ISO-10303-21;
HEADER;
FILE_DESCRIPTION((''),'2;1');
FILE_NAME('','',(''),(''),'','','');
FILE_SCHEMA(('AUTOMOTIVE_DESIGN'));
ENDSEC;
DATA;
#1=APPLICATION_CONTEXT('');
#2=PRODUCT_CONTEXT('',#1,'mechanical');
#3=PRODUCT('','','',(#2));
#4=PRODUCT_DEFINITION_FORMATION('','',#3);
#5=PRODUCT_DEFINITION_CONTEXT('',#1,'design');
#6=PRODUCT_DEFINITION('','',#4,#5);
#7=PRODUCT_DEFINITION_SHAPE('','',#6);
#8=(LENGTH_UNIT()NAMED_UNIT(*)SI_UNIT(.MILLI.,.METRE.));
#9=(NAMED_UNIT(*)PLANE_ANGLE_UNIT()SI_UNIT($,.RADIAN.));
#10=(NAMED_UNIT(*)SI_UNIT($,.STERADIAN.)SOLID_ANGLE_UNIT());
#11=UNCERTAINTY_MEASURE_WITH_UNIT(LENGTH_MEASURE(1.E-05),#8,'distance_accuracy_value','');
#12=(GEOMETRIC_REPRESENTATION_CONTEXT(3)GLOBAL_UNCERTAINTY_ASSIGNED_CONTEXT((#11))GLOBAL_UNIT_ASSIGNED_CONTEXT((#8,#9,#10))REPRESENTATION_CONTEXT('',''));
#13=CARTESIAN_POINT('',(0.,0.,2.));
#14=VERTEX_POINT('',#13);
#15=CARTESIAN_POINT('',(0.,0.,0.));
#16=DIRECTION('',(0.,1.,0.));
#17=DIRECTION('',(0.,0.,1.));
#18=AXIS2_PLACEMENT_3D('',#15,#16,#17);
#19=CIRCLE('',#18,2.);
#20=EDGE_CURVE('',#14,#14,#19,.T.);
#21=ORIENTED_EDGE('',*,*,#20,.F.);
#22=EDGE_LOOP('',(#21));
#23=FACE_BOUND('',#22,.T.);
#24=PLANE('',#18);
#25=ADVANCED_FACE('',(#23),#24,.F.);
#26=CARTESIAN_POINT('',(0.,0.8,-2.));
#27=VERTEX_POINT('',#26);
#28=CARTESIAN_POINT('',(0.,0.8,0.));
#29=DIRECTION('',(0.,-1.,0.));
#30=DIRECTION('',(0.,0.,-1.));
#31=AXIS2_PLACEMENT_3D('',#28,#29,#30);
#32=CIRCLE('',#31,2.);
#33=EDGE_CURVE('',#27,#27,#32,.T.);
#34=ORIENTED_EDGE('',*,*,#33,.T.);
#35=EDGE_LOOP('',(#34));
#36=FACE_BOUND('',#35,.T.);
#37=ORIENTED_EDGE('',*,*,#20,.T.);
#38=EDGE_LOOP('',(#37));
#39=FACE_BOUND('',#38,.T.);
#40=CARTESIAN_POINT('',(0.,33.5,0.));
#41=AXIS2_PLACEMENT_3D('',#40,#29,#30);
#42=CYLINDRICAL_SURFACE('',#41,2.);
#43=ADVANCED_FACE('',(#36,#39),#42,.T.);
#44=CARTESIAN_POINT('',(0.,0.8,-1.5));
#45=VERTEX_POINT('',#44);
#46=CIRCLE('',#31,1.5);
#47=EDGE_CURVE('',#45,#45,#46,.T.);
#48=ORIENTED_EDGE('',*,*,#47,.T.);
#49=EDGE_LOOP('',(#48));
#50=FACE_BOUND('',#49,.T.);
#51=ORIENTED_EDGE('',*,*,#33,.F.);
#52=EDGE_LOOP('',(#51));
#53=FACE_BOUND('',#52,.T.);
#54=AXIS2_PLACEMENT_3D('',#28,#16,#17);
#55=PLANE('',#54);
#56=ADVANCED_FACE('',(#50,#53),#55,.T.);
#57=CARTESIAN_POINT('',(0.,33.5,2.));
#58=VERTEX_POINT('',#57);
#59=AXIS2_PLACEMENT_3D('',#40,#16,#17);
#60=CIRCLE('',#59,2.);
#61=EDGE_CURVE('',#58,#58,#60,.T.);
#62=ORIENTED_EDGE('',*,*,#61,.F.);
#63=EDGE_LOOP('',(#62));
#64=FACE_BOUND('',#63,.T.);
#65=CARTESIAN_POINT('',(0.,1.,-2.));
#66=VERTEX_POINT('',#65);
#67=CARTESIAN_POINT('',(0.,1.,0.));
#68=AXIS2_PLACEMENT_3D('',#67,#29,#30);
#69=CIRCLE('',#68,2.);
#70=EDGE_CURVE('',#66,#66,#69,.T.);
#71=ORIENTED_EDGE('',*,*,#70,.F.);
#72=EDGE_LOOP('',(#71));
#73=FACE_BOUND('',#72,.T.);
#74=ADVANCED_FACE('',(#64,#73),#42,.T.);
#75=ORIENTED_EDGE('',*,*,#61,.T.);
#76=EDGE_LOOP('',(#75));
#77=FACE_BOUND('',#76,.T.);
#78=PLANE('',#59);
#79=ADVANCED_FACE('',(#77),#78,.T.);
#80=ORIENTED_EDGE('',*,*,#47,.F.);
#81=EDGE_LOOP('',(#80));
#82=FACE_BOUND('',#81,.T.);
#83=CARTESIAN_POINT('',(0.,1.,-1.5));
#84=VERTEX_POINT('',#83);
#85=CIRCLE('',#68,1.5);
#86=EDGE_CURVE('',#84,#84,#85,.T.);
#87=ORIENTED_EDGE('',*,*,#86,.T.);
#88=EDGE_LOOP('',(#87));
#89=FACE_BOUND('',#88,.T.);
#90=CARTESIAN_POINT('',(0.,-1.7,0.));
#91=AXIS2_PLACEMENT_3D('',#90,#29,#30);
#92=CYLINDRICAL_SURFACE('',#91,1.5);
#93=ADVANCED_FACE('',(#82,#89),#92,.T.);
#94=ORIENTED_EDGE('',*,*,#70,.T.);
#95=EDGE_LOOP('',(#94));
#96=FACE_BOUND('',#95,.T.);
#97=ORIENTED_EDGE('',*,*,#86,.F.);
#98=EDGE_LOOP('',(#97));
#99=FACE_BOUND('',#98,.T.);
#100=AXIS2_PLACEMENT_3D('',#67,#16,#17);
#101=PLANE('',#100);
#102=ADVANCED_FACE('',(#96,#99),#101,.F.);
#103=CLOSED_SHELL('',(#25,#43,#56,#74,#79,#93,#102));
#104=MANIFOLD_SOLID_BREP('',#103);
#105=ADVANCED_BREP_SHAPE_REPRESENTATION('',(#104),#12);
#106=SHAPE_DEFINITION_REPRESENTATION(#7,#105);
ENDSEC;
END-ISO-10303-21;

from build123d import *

# Parameters (mm, degrees)
SKETCH1_R           = 2
BOSS_EXTRUDE1_DEPTH = 33.5
SKETCH2_W           = 0.5
SKETCH2_H           = 0.2


with BuildPart() as part:
    # Sketch1 → Boss-Extrude1 (new body)
    with BuildSketch(Plane(origin=(0, 0, 0), x_dir=(1, 0, 0), z_dir=(0, 1, 0))):
        with Locations(Location((0, 0, 0), (0, 0, 270))):
            Circle(SKETCH1_R)
    extrude(amount=BOSS_EXTRUDE1_DEPTH)

    # Sketch2 → Cut-Revolve1 (revolve, cut)
    with BuildSketch(Plane.XY, mode=Mode.PRIVATE) as cut_revolve1_sk:
        with Locations((1.75, 0.9)):
            Rectangle(SKETCH2_W, SKETCH2_H)
    revolve(cut_revolve1_sk.sketch.rotate(Axis((0, -1.7, 0), (0, 1, 0)), 90), axis=Axis((0, -1.7, 0), (0, 1, 0)), mode=Mode.SUBTRACT)


solid = part.part
